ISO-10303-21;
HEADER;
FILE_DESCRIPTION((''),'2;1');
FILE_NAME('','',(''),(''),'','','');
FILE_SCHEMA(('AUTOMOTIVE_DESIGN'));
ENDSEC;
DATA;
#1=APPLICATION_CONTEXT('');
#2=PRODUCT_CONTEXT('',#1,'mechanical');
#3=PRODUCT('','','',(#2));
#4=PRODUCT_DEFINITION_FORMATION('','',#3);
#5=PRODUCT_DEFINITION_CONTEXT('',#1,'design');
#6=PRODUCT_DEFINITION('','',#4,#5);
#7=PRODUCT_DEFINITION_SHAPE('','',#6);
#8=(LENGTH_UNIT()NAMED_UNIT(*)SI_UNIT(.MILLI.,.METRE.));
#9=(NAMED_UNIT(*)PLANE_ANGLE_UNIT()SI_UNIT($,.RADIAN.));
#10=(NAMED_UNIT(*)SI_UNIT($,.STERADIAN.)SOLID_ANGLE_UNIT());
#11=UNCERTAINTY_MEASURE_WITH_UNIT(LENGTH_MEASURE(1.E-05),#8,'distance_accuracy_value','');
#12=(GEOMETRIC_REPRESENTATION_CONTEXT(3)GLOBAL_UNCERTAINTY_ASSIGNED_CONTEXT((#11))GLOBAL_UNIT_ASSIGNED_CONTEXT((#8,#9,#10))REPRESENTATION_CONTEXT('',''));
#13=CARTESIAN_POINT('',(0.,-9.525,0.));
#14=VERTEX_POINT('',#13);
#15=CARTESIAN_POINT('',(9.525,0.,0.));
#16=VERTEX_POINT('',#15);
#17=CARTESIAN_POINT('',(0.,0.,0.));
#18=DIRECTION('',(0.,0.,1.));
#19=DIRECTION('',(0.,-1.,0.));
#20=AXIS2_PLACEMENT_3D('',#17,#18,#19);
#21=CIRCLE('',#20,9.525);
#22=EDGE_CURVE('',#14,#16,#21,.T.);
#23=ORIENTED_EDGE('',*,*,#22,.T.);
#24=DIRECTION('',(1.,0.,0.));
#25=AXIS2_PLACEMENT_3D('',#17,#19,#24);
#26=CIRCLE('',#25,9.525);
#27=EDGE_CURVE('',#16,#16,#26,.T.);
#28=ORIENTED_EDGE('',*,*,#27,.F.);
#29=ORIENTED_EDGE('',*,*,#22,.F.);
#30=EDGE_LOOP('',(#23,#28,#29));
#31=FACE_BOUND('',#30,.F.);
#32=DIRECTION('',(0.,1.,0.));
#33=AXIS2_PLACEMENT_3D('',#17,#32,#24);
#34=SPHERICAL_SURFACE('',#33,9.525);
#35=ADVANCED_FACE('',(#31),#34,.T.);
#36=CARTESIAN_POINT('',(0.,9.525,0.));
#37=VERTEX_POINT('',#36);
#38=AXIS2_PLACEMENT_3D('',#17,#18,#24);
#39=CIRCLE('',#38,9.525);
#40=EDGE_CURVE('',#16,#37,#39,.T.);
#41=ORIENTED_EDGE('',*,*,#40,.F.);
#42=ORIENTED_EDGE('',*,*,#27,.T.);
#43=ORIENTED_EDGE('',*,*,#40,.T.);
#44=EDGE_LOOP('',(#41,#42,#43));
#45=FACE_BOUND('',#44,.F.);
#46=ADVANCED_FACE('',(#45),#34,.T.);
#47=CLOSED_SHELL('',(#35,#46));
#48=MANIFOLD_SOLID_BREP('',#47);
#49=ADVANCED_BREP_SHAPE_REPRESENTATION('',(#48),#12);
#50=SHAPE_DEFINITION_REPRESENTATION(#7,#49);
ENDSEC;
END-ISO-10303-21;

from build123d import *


with BuildPart() as part:
    # Sketch1 one side → Revolve7 (revolve)
    with BuildSketch(Plane.XY):
        with BuildLine():
            ThreePointArc((0, -9.525), (6.735192091, -6.735192091), (9.525, 0))
            ThreePointArc((9.525, 0), (6.735192091, 6.735192091), (0, 9.525))
            Line((0, 9.525), (0, -9.525))
        make_face()
    revolve(axis=Axis((0, 9.525, 0), (0, -1, 0)))


solid = part.part
